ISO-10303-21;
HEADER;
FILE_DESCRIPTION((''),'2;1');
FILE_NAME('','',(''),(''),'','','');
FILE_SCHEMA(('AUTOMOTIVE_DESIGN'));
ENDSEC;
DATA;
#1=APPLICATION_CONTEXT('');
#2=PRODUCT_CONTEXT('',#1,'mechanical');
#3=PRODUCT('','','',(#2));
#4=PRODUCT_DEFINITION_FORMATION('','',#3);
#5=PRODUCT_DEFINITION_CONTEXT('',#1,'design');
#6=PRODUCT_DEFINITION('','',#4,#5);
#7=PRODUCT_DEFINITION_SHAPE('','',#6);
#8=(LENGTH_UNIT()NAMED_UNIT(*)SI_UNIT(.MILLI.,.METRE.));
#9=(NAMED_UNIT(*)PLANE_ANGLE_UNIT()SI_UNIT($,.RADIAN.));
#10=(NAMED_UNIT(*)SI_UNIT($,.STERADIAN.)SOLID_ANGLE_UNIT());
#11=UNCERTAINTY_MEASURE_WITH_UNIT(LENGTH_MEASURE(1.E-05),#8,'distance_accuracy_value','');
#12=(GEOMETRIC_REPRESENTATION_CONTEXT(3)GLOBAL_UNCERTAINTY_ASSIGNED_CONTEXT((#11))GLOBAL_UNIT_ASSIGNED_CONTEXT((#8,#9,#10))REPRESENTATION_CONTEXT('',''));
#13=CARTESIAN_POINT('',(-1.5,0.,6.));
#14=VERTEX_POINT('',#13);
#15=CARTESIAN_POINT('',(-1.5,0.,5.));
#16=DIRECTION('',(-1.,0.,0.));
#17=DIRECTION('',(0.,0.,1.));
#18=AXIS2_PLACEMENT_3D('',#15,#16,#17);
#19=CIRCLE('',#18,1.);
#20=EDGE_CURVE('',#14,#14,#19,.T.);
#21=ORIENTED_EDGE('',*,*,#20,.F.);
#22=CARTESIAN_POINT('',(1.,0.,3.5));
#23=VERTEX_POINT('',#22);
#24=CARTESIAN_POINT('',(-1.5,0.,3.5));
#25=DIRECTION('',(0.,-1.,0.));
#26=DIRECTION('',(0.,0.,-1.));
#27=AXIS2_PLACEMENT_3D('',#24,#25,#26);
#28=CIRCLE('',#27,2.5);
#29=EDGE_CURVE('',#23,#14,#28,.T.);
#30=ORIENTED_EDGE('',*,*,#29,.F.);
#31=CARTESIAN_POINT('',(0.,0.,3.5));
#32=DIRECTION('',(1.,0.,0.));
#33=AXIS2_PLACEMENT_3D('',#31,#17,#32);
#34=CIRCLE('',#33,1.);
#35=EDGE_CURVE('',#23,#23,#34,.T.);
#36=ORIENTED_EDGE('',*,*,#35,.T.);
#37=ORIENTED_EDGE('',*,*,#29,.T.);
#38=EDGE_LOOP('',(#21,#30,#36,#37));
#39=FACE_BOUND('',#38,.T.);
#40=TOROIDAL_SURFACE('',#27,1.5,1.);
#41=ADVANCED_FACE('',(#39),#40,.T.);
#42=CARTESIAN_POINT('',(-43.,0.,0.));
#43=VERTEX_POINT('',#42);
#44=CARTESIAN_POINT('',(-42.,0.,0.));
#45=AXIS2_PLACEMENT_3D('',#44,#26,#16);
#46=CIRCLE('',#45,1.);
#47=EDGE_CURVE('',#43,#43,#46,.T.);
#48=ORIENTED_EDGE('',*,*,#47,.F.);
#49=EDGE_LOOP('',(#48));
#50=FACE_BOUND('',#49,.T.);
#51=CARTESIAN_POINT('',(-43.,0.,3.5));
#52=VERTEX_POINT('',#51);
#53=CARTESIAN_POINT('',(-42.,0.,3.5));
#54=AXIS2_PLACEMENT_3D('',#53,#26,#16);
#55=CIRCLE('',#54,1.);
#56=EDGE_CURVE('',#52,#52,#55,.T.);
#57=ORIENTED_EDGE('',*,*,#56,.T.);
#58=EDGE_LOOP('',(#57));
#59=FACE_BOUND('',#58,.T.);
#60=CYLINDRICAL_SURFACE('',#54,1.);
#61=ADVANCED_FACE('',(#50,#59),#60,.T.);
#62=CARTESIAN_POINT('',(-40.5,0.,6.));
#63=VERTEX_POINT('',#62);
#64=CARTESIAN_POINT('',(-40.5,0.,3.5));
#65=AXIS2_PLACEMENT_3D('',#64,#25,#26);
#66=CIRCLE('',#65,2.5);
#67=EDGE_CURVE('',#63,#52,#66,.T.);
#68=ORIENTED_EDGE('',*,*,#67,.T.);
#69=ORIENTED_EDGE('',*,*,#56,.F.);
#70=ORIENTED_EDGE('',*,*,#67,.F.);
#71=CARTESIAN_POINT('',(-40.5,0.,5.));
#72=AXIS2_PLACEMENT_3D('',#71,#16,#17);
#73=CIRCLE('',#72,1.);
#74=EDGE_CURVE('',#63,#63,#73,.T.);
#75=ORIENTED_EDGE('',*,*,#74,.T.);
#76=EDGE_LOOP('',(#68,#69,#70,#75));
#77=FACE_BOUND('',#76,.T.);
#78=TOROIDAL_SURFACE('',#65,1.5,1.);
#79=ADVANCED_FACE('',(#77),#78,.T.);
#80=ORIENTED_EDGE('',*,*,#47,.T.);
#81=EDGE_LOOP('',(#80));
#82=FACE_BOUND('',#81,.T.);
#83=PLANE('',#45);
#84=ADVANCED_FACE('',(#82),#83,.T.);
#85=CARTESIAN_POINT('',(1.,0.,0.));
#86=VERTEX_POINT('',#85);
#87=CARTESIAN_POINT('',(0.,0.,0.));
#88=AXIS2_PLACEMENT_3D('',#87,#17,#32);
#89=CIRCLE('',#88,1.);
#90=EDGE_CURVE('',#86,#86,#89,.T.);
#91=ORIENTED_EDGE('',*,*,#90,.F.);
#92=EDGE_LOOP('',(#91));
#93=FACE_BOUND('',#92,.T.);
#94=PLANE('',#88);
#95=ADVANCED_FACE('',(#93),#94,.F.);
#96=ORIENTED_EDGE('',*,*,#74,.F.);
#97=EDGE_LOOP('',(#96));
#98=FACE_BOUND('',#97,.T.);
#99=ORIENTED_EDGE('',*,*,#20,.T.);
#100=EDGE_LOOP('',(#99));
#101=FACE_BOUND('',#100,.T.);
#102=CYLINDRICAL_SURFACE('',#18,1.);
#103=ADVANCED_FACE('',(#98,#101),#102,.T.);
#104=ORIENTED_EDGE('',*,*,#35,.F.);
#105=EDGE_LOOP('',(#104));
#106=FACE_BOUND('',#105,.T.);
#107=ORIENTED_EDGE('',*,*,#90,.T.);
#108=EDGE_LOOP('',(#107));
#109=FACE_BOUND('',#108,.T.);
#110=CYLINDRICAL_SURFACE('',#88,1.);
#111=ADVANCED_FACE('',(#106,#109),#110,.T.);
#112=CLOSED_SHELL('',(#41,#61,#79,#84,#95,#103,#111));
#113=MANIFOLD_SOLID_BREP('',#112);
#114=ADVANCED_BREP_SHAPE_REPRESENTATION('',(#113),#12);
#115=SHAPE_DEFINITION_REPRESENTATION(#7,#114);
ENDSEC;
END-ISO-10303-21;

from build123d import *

# Parameters (mm, degrees)
SKETCH2_R = 1


with BuildPart() as part:
    # Sweep1: sweep along a path in Sketch1
    with BuildLine(Plane(origin=(0, 0, 0), x_dir=(1, 0, 0), z_dir=(0, 1, 0))) as sweep1_path:
        Line((0, 0), (0, -3.5))
        ThreePointArc((0, -3.5), (-0.439339828, -4.560660172), (-1.5, -5))
        Line((-1.5, -5), (-40.5, -5))
        ThreePointArc((-40.5, -5), (-41.560660172, -4.560660172), (-42, -3.5))
        Line((-42, -3.5), (-42, 0))
    # Sketch2 → Sweep1 (sweep)
    with BuildSketch(Plane.XY):
        Circle(SKETCH2_R)
    sweep(path=sweep1_path.line)


solid = part.part
